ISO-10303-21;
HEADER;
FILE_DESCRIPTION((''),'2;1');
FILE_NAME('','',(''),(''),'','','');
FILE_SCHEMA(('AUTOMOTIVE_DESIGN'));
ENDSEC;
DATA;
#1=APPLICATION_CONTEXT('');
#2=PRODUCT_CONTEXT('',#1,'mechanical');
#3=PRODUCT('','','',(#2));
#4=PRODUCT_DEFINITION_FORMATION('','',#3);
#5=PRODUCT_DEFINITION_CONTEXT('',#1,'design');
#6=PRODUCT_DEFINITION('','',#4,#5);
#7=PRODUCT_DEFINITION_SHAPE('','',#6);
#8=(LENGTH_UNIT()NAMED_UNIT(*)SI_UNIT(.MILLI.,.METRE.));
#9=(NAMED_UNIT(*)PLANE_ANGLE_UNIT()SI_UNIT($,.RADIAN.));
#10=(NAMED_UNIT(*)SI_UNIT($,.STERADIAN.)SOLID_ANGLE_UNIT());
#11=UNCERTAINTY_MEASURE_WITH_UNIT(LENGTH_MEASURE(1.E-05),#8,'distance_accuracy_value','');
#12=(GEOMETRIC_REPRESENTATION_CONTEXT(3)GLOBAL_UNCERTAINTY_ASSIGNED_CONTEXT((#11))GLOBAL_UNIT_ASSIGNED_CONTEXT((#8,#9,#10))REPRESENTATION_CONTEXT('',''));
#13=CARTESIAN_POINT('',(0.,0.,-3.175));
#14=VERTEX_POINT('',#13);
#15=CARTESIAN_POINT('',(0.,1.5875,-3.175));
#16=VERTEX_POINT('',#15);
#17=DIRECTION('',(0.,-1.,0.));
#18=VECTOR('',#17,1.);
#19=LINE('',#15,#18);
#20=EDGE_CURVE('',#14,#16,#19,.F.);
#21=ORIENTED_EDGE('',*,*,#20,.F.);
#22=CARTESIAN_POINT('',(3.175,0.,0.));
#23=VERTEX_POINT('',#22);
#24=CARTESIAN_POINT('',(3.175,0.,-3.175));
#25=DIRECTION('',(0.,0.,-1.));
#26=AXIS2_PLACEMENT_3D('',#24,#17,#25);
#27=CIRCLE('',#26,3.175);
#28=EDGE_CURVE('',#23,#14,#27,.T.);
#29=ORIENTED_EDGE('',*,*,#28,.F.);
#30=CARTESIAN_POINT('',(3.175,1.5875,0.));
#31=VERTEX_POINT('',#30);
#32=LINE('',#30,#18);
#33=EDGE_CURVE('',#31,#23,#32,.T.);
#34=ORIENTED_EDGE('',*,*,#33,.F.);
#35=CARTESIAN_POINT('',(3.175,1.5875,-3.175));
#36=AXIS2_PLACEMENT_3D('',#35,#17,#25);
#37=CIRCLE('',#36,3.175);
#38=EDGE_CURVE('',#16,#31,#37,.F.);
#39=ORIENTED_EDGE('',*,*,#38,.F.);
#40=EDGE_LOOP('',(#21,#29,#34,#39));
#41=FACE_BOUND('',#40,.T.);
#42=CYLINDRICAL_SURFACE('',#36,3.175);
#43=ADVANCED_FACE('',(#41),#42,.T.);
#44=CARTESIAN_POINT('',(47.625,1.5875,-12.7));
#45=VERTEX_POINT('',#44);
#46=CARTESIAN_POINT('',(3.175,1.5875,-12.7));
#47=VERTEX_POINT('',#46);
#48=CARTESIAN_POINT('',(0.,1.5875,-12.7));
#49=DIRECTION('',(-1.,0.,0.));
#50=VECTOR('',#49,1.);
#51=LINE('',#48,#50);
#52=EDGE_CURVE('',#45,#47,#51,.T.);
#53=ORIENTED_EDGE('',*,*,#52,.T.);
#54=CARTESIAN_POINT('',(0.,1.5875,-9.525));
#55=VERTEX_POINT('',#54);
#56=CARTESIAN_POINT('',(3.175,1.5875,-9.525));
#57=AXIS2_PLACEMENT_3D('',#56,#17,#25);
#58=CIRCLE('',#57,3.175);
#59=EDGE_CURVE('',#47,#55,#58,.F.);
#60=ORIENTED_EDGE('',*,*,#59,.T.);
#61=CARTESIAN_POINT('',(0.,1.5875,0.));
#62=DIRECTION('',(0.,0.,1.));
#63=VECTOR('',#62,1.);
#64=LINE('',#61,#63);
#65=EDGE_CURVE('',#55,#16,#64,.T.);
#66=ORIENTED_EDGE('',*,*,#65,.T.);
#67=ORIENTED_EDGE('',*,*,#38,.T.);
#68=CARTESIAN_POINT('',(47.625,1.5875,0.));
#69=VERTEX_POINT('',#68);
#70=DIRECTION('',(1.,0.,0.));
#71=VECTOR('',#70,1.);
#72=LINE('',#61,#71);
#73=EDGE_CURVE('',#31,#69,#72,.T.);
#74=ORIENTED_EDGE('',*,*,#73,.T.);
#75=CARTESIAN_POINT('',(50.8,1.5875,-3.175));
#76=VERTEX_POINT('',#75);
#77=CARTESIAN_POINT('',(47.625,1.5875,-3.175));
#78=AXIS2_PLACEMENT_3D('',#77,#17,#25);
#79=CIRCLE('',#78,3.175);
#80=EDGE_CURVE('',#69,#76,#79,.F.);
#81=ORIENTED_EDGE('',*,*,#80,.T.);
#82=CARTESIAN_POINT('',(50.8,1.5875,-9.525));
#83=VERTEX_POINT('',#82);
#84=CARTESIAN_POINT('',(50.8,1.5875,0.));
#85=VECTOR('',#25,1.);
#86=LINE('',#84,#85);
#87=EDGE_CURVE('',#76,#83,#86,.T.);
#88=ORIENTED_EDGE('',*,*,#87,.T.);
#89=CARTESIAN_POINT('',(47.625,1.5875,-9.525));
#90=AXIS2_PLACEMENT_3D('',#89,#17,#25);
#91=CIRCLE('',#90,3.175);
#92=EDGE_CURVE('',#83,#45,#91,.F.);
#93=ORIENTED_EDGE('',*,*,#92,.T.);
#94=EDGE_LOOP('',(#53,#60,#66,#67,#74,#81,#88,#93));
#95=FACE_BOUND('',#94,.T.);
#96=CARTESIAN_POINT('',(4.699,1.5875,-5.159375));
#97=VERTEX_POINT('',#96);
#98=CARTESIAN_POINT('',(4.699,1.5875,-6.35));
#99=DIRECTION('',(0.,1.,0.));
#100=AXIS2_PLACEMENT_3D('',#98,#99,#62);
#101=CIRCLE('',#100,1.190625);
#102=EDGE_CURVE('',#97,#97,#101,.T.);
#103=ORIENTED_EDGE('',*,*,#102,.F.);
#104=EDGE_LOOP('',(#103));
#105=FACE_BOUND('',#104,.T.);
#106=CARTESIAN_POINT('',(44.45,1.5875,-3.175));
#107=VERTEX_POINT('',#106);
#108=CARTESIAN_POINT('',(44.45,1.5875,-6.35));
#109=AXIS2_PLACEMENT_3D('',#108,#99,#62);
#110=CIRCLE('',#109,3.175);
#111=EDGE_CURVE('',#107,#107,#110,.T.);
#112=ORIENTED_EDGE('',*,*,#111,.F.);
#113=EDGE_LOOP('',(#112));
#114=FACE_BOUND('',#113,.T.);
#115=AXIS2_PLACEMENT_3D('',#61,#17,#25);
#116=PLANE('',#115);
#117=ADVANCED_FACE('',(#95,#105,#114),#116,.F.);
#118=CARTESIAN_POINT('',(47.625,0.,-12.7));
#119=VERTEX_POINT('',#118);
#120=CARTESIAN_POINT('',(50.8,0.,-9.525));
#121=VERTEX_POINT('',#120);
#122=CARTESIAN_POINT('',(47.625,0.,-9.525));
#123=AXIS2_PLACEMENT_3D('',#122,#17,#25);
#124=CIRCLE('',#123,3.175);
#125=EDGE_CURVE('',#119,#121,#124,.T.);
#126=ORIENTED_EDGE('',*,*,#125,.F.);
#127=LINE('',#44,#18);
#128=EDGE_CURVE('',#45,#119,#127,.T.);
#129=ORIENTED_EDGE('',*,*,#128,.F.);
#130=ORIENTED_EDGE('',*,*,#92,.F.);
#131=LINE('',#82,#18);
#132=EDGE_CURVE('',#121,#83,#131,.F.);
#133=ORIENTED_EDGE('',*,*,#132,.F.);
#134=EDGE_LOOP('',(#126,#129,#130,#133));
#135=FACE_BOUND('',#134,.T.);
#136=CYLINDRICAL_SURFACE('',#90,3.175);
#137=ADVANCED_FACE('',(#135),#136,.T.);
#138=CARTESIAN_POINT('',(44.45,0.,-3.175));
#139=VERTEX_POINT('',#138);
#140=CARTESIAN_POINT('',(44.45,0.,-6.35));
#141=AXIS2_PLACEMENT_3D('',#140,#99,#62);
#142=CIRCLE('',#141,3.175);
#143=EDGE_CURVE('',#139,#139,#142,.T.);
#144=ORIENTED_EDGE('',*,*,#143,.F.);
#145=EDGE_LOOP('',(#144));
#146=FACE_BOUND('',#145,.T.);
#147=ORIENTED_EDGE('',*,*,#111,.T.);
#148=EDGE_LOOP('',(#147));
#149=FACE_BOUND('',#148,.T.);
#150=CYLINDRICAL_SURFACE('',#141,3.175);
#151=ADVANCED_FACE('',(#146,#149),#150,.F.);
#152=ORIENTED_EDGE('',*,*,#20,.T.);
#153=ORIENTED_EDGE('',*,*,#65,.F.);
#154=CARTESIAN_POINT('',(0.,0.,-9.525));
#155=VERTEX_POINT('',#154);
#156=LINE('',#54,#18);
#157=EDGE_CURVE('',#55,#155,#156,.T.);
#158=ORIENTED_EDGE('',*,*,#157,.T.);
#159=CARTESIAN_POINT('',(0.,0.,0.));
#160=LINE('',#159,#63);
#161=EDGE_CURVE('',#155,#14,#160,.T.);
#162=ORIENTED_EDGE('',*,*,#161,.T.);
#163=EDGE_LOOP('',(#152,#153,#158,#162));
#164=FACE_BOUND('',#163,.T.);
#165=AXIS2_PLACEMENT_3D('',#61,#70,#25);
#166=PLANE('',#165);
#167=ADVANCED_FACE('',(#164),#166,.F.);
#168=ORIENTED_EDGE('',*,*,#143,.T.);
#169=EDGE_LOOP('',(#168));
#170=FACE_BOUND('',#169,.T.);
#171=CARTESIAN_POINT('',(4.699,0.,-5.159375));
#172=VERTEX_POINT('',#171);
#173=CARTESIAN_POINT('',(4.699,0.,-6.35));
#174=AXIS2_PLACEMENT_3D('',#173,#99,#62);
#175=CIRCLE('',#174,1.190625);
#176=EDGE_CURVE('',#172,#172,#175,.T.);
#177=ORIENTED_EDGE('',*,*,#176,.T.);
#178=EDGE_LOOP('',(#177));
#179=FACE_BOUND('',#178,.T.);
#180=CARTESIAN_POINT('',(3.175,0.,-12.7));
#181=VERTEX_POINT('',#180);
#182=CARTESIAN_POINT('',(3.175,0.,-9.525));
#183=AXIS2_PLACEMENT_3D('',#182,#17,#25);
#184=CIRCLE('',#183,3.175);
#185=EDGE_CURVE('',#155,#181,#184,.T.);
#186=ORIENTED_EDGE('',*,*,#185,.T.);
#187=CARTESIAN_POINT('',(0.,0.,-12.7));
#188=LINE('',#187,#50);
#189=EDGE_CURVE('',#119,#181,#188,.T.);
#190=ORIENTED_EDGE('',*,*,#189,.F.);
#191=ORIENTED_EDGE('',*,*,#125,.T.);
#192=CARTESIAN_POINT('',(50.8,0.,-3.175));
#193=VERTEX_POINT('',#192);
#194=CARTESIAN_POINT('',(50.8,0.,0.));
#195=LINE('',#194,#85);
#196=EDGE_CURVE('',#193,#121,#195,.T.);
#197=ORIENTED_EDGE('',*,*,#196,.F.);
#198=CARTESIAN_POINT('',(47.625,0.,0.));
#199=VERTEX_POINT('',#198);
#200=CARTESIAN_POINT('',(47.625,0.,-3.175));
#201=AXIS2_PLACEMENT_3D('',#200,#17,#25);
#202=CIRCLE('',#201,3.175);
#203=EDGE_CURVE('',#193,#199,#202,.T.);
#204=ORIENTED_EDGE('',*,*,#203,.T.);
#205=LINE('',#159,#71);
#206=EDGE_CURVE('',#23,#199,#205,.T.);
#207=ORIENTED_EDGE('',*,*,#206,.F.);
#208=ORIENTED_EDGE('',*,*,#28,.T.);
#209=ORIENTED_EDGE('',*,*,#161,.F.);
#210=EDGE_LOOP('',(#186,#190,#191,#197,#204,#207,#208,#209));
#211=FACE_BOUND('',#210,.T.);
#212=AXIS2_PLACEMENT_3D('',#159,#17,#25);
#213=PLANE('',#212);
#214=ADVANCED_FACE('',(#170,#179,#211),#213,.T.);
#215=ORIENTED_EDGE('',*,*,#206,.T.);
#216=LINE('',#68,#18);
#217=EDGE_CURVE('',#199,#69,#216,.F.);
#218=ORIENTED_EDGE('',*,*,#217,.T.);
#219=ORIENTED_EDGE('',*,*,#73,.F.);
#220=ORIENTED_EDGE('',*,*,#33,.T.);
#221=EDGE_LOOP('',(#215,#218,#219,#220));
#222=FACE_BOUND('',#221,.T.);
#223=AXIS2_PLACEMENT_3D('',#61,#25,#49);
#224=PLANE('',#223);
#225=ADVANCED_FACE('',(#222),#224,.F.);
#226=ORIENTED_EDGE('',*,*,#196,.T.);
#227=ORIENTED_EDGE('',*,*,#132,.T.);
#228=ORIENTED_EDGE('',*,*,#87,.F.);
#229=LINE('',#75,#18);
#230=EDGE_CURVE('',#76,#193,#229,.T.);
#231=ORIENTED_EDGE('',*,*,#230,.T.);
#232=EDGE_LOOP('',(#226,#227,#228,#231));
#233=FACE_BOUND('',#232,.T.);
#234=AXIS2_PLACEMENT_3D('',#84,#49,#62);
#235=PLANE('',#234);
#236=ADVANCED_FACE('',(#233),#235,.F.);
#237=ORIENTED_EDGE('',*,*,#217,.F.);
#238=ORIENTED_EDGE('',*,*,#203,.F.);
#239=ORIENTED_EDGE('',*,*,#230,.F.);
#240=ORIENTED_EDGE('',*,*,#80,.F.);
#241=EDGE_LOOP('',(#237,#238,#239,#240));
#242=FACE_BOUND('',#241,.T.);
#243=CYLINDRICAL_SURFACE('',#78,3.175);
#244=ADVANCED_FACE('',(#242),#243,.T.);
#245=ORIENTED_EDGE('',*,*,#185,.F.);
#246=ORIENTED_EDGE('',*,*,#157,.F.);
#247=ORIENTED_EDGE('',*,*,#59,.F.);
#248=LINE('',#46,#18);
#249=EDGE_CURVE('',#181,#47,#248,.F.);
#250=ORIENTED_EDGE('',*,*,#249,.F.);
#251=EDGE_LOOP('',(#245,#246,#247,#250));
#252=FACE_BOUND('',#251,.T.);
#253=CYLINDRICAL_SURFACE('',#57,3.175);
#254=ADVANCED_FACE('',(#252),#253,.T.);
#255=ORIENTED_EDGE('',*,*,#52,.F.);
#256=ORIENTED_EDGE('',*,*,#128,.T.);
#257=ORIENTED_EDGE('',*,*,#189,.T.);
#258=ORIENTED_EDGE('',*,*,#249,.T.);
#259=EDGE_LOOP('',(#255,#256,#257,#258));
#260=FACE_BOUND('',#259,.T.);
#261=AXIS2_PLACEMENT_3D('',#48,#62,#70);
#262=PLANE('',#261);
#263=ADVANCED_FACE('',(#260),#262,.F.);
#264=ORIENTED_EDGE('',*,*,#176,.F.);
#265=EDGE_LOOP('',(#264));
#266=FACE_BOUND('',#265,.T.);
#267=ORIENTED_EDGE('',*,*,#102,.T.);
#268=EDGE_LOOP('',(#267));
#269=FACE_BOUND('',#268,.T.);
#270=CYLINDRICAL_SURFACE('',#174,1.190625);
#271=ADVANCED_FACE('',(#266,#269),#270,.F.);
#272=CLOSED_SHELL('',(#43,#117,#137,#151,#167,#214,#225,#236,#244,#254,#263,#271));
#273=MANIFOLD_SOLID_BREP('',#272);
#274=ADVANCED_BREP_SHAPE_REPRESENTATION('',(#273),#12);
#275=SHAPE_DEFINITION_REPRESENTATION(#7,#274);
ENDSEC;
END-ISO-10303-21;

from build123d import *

# Parameters (mm, degrees)
SKETCH1_W           = 50.8
SKETCH1_H           = 12.7
BOSS_EXTRUDE1_DEPTH = 1.5875
SKETCH2_R           = 1.190625
SKETCH2_R_2         = 3.175
CUT_EXTRUDE1_DEPTH  = 53.3875
FILLET1_R           = 3.175


with BuildPart() as part:
    # Sketch1 → Boss-Extrude1 (new body)
    with BuildSketch(Plane(origin=(0, 0, 0), x_dir=(1, 0, 0), z_dir=(0, 1, 0))):
        with Locations((25.4, 6.35)):
            Rectangle(SKETCH1_W, SKETCH1_H)
    extrude(amount=BOSS_EXTRUDE1_DEPTH)

    # Sketch2 → Cut-Extrude1 (cut, through all)
    with BuildSketch(Plane(origin=(0, 1.5875, 0), x_dir=(1, 0, 0), z_dir=(0, 1, 0))):
        with Locations(Location((4.699, 6.35, 0), (0, 0, 270))):
            Circle(SKETCH2_R)
        with Locations(Location((44.45, 6.35, 0), (0, 0, 270))):
            Circle(SKETCH2_R_2)
    extrude(amount=-CUT_EXTRUDE1_DEPTH, mode=Mode.SUBTRACT)

    # Fillet1
    fillet1_edges = [part.edges().sort_by_distance(p)[0] for p in [
        (0, 0.79375, -12.7),
        (50.8, 0.79375, -12.7),
        (50.8, 0.79375, 0),
        (0, 0.79375, 0),
    ]]
    fillet(fillet1_edges, radius=FILLET1_R)


solid = part.part
